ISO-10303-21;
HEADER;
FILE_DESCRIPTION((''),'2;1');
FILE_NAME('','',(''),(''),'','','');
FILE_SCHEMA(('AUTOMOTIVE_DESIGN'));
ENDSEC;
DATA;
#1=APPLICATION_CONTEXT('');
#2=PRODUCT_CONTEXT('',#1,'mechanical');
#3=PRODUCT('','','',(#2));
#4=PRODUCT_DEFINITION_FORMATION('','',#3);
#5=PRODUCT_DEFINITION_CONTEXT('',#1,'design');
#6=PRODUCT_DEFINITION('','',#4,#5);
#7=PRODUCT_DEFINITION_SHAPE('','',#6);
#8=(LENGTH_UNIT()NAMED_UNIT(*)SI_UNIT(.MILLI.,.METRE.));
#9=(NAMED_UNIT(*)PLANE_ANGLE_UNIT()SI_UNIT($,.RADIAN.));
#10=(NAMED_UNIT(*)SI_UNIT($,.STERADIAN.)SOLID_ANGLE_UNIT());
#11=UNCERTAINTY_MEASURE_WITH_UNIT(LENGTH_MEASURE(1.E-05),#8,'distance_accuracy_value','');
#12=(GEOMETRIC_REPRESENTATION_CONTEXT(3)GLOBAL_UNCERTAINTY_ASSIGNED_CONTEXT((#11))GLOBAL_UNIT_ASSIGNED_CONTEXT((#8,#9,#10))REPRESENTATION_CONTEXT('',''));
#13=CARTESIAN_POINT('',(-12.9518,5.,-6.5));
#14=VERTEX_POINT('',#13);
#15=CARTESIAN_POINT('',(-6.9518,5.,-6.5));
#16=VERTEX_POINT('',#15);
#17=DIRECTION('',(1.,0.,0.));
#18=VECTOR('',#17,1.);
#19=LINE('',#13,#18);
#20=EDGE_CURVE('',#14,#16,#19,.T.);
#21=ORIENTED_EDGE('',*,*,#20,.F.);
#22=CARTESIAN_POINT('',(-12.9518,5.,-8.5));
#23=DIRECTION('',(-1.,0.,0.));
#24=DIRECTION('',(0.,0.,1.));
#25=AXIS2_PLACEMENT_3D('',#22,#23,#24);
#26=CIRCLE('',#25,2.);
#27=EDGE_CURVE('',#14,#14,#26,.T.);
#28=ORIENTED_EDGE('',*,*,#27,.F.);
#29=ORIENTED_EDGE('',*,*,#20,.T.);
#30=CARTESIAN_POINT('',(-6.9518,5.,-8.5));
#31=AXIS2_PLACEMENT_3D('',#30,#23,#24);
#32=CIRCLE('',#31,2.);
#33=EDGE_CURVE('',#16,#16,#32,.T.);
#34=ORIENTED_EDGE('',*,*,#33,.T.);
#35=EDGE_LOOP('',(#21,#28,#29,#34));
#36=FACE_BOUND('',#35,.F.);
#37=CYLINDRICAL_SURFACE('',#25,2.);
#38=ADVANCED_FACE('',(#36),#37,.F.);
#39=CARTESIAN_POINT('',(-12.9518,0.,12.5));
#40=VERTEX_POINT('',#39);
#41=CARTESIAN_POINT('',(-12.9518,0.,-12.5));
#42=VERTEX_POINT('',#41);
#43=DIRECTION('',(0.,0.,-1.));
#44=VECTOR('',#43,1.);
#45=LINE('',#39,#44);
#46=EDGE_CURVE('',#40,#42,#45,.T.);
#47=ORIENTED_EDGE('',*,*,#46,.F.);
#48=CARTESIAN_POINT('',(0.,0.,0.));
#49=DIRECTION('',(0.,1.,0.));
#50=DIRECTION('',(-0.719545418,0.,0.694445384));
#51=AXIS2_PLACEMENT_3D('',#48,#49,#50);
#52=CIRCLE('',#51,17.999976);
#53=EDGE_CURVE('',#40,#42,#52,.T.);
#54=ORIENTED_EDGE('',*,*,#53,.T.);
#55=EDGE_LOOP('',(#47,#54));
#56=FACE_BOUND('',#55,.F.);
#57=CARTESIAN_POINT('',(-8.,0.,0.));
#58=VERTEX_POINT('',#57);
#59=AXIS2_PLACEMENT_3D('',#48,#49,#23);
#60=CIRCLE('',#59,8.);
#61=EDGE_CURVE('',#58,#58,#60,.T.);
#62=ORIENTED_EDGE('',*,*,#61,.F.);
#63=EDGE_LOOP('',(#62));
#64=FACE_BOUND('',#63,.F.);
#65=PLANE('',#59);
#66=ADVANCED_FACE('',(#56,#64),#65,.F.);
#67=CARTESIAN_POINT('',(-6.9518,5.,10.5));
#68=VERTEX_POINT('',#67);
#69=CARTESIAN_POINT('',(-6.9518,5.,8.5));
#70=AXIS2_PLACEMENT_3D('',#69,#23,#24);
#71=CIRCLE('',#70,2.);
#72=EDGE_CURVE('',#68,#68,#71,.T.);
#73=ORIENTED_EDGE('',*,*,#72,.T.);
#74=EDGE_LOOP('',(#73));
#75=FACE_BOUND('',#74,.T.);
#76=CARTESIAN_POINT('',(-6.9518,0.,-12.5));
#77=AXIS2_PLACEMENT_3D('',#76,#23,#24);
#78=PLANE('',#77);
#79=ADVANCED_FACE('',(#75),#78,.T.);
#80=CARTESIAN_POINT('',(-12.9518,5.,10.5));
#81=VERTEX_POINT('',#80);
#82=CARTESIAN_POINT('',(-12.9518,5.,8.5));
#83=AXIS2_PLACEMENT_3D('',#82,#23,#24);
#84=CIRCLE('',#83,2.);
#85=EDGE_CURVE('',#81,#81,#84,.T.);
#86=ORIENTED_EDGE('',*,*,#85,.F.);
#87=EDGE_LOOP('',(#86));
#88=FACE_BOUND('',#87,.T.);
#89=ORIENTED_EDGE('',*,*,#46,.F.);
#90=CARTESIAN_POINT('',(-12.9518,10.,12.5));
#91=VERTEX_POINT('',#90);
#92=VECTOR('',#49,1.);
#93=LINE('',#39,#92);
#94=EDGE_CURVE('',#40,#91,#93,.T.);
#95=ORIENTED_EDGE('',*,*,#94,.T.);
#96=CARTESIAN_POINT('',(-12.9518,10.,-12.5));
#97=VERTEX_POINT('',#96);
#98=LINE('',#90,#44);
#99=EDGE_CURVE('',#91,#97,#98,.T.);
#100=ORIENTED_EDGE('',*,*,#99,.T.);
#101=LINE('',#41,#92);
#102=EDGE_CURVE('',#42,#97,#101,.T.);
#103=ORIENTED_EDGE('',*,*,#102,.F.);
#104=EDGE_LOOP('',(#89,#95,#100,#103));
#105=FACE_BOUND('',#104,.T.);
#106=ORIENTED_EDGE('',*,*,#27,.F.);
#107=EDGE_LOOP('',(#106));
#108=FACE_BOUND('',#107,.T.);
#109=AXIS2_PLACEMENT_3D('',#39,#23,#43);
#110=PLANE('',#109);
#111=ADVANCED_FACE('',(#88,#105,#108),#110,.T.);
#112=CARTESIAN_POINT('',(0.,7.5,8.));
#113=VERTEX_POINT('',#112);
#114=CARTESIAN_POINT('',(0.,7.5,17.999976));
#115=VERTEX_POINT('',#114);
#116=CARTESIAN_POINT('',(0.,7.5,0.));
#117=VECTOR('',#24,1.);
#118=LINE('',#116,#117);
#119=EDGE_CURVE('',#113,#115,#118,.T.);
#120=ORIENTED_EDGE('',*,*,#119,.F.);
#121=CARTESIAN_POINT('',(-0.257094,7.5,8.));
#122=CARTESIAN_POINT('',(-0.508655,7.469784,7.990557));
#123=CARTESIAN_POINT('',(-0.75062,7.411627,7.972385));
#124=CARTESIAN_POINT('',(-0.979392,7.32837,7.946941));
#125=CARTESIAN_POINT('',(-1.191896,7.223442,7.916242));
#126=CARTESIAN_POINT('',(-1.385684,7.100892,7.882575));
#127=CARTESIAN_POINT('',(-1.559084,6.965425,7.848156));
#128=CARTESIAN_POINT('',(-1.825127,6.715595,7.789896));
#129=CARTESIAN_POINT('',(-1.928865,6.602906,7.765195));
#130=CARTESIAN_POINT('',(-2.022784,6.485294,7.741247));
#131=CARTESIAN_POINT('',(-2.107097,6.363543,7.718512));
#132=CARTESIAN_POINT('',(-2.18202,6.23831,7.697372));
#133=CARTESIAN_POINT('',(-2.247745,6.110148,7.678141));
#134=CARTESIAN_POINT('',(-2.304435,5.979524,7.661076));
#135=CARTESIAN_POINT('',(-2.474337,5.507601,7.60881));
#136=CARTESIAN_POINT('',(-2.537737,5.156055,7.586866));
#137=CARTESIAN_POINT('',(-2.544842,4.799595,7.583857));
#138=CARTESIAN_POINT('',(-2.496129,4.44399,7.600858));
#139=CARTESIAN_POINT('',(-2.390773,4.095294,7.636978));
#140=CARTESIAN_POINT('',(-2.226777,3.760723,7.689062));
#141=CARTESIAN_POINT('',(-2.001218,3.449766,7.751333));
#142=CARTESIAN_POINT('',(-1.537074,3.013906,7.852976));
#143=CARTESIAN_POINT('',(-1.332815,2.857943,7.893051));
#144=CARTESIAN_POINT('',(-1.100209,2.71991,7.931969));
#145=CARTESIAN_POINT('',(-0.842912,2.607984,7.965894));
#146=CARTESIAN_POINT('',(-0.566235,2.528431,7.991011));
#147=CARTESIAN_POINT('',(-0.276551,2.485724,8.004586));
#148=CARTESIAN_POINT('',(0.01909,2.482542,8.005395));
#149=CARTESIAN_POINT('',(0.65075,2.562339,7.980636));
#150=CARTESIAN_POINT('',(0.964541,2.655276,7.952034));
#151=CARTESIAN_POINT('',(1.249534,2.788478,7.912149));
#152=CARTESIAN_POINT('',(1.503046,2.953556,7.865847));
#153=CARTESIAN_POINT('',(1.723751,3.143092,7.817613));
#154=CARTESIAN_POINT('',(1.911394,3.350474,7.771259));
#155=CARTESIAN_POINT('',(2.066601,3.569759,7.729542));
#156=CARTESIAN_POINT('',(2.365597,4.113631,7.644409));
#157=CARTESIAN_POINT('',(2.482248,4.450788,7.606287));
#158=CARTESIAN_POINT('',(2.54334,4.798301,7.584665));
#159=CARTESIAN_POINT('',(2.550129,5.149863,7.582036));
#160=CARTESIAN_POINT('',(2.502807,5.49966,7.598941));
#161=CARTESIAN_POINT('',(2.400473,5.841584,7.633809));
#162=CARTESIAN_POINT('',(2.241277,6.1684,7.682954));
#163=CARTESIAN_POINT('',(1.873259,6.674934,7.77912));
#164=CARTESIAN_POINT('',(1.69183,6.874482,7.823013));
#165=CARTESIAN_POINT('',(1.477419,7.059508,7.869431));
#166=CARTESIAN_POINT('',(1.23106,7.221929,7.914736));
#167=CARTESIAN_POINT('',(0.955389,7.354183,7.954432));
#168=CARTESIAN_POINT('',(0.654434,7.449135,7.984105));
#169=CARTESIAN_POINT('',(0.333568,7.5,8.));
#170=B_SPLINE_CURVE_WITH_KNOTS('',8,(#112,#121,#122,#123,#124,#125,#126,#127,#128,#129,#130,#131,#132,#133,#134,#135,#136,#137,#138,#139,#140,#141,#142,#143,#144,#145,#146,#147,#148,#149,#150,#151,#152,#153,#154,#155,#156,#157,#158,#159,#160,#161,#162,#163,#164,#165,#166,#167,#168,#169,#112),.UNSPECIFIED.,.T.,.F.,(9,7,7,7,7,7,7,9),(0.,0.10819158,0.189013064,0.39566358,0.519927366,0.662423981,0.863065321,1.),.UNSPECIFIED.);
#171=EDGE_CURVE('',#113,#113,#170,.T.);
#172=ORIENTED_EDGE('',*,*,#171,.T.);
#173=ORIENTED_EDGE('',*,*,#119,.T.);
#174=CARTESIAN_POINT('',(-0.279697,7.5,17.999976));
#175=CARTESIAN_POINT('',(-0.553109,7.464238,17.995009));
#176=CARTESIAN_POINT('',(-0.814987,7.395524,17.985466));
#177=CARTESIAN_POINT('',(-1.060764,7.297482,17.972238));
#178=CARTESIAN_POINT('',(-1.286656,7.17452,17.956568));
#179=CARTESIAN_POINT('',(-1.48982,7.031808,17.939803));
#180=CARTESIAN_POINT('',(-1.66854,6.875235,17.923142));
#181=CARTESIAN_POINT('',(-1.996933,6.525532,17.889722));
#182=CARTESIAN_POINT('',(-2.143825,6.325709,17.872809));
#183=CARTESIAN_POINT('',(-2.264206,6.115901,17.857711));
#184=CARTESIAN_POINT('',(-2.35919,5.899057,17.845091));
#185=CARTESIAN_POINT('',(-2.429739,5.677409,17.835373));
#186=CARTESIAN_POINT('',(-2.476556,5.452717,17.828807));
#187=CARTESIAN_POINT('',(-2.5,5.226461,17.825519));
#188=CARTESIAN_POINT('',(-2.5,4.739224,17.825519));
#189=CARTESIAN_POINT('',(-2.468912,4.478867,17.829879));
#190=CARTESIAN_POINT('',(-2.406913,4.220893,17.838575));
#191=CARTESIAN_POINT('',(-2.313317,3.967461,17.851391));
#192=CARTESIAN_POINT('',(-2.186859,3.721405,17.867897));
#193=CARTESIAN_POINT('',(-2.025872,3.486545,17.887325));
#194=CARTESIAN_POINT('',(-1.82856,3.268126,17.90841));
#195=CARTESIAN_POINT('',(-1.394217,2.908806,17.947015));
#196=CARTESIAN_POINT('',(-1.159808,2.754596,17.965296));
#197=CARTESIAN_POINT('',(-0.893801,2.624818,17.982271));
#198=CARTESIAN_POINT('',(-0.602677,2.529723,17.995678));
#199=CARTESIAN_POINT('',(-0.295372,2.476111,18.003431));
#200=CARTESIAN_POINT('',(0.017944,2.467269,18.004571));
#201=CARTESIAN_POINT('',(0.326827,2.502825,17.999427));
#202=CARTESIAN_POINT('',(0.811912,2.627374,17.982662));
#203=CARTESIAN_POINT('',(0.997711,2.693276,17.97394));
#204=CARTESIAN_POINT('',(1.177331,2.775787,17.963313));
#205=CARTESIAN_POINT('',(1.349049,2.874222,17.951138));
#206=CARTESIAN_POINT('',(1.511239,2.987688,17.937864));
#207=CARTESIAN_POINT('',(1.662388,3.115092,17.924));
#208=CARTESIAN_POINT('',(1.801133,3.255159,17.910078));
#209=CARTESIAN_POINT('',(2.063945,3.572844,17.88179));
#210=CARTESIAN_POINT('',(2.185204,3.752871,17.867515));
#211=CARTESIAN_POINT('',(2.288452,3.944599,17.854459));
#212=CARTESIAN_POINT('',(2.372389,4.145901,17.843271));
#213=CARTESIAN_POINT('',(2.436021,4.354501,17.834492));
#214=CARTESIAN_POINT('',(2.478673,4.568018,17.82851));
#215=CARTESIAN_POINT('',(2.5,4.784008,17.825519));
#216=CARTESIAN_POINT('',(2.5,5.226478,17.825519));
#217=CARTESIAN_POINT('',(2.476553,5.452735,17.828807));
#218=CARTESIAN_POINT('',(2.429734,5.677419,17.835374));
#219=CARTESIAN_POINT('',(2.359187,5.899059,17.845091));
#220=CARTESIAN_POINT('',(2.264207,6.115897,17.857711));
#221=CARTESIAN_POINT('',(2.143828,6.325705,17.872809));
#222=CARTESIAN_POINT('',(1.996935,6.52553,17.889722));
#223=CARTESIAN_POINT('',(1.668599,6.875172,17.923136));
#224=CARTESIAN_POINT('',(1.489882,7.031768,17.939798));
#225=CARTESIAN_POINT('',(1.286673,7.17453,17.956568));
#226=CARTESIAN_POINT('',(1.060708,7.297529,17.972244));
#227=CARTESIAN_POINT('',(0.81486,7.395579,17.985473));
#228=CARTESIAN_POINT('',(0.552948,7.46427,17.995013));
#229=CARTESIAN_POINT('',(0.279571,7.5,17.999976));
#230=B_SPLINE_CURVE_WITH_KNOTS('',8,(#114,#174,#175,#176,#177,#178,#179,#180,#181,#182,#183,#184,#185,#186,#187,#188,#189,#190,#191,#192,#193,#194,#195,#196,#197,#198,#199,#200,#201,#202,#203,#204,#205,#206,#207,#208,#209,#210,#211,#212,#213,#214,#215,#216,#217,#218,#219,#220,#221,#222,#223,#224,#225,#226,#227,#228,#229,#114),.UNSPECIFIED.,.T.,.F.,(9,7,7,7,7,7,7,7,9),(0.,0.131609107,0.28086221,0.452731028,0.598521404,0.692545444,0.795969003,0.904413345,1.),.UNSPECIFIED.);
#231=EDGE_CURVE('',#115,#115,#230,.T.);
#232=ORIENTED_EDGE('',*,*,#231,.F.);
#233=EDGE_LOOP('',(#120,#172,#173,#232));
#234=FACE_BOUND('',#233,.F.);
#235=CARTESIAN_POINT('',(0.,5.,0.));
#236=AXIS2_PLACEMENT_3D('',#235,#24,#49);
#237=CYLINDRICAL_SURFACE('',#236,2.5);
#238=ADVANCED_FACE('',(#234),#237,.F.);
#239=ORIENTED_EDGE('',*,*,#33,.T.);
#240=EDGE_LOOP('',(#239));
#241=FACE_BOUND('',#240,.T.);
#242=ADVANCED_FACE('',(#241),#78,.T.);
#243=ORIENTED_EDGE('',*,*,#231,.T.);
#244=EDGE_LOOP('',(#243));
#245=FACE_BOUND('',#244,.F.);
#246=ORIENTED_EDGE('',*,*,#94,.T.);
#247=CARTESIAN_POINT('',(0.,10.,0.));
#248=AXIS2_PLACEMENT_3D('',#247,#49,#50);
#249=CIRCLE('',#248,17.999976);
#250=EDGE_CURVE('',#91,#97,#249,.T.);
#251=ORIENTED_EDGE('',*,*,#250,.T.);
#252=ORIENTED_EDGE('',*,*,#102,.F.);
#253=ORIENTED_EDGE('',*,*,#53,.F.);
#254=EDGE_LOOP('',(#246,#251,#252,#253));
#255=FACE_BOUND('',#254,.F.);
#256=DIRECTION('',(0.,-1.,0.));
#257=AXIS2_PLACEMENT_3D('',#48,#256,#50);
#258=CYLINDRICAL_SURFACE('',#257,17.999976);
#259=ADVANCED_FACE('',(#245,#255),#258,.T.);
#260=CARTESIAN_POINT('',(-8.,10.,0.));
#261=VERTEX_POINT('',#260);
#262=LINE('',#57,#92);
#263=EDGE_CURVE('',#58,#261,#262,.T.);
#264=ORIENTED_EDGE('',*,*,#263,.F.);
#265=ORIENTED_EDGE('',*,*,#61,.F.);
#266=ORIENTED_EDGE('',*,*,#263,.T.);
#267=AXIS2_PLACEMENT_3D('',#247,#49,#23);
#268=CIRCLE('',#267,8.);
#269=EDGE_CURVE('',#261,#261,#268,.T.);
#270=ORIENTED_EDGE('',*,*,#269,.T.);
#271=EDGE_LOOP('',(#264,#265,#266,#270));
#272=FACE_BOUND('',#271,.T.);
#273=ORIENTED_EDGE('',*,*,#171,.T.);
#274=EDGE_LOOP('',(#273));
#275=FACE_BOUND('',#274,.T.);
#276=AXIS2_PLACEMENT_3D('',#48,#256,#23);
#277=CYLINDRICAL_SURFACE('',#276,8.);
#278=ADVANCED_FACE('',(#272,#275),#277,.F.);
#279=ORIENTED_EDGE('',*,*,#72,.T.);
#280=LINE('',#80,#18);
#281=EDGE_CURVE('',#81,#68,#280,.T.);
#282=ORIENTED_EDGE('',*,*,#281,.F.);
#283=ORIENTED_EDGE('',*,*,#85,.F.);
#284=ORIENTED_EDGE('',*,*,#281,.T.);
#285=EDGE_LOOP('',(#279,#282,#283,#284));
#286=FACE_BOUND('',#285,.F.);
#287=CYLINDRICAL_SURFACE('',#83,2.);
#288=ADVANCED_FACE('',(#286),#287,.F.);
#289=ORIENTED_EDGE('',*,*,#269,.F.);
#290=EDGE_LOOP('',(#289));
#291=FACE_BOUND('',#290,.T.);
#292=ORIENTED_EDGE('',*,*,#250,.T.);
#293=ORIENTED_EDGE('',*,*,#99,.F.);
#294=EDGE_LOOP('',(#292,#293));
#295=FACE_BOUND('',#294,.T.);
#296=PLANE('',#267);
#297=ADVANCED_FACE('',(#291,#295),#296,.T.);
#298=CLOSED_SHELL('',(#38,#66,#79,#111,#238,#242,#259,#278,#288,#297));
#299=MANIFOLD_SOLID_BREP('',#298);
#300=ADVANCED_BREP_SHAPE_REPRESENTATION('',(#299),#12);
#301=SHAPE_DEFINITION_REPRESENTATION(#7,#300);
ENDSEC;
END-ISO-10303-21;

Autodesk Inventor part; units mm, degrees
ref_plane "XZ Plane" through (0, 0, 0) normal (0, 1, 0) x (-1, 0, 0)
ref_plane "XY Plane" through (0, 0, 0) normal (0, 0, 1) x (1, 0, 0)
sketch "Sketch1" plane through (0, 0, 0) normal (0, 1, 0) x (-1, 0, 0)
  circle A0 centre (0, 0) radius 8
  arc A1 (12.9518, 12.5) -> (12.9518, -12.5) centre (0, 0) ccw
  line L0 (12.9518, 12.5) -> (12.9518, -12.5)
  dimension "d0" = 16
  dimension "d13" = 36
  dimension "d14" = 25
extrude "Extrusion2" add sketch "Sketch1" along normal blind 10
sketch "Sketch3" plane through (-12.9518, 0, -12.5) normal (-1, 0, 0) x (0, 0, 1)
  circle A0 centre (21, 5) radius 2
  circle A1 centre (4, 5) radius 2
  line L0 (36, 5) -> (-7, 5) construction
  line L1 (25, 0) -> (0, 0) projected
  line L2 (25, 0) -> (25, 10) projected
  line L3 (0, 0) -> (0, 10) projected
  point P0 (12.5, 0)
  dimension "d17" = 4
  dimension "d18" = 4
  dimension "d19" = 5
  dimension "d20" = 17
  dimension "d21" = 4
  dimension "d22" = 25
extrude "Extrusion3" cut sketch "Sketch3" against normal blind 6
ref_plane "Work Plane2" through (0, 0, 0) normal (0, 0, -1) x (0, 1, 0)
sketch "Sketch4" plane through (0, 0, 0) normal (0, 0, -1) x (0, 1, 0)
  circle A0 centre (5, 0) radius 2.5
  point P0 (0, 0)
  dimension "d26" = 5
hole "Hole1" at (0, 5, 0) direction (0, 0, 1) diameter 5 end through all
equation "\"d21\" = -0.5 * d20 + 0.5 * d22"
properties part number "mocowanie uchwytu01"
